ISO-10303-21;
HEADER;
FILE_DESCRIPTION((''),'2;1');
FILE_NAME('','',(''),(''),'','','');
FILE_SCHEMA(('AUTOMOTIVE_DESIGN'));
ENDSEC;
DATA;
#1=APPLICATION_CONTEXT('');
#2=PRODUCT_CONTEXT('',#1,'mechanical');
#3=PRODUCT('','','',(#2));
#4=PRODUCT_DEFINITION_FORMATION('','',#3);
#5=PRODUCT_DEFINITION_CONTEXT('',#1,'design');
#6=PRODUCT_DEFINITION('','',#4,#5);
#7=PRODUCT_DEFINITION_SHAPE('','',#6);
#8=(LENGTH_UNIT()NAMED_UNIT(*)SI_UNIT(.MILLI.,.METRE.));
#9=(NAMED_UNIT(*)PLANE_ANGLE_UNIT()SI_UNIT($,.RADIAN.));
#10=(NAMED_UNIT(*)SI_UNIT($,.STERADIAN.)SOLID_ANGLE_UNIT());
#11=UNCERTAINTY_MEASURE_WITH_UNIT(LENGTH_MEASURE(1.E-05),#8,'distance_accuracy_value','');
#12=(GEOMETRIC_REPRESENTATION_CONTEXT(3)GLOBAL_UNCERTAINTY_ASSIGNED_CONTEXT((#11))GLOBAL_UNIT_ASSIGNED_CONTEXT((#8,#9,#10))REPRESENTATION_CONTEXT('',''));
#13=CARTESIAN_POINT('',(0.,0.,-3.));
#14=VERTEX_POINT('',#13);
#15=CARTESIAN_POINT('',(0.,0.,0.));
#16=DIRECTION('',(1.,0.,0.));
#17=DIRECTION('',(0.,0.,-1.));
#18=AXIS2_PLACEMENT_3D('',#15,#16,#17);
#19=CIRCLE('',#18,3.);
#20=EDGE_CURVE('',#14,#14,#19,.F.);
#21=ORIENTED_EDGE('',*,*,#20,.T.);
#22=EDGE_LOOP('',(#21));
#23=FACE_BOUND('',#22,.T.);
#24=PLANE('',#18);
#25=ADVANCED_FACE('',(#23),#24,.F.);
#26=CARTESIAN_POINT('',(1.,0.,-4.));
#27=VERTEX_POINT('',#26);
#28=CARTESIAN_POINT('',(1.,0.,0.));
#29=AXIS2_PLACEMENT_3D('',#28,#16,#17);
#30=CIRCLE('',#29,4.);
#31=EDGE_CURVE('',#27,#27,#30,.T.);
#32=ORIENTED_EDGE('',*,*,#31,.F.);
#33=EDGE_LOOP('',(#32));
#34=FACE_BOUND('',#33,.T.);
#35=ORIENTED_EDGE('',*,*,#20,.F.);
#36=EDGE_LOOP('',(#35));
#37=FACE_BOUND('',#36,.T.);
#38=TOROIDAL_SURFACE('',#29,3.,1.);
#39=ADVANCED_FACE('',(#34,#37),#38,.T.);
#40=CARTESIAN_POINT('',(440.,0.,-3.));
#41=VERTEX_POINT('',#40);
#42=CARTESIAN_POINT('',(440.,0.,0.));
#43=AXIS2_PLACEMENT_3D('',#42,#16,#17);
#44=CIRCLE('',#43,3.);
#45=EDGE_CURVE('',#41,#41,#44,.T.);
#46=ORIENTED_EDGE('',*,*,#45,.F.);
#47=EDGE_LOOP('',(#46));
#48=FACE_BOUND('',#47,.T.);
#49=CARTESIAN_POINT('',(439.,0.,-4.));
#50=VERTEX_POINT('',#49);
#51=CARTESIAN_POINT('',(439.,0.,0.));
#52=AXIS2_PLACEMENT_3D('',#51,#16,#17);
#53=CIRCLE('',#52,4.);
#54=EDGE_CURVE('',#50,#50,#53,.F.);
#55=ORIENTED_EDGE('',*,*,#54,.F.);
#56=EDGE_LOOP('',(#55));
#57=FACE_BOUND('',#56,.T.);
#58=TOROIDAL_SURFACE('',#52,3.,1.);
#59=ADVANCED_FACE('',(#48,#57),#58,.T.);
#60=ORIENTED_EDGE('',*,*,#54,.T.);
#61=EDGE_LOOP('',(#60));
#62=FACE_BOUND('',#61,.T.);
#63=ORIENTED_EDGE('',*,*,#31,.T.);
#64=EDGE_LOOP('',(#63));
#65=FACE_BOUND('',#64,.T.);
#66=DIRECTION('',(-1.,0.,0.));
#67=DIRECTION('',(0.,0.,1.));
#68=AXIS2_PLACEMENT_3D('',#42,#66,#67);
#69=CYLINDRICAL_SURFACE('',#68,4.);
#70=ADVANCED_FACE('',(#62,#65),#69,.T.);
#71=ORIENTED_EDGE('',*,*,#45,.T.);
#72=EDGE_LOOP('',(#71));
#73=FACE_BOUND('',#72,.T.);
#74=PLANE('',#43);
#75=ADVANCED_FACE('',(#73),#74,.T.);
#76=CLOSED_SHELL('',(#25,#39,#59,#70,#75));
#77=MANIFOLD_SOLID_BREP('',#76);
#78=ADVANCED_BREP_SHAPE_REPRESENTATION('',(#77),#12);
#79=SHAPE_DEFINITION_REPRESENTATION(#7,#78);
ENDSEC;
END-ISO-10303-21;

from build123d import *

# Parameters (mm, degrees)
PROFILESKETCH1_R           = 4
PROFILEBOSS_EXTRUDE1_DEPTH = 440
FILLET1_R                  = 1


with BuildPart() as part:
    # ProfileSketch1 → ProfileBoss-Extrude1 (new body)
    with BuildSketch(Plane(origin=(0, 0, 0), x_dir=(0, 0, -1), z_dir=(1, 0, 0))):
        Circle(PROFILESKETCH1_R)
    extrude(amount=PROFILEBOSS_EXTRUDE1_DEPTH)

    # Fillet1
    fillet1_edges = [part.edges().sort_by_distance(p)[0] for p in [
        (0, 0, 4),
        (440, 0, 4),
    ]]
    fillet(fillet1_edges, radius=FILLET1_R)


solid = part.part
